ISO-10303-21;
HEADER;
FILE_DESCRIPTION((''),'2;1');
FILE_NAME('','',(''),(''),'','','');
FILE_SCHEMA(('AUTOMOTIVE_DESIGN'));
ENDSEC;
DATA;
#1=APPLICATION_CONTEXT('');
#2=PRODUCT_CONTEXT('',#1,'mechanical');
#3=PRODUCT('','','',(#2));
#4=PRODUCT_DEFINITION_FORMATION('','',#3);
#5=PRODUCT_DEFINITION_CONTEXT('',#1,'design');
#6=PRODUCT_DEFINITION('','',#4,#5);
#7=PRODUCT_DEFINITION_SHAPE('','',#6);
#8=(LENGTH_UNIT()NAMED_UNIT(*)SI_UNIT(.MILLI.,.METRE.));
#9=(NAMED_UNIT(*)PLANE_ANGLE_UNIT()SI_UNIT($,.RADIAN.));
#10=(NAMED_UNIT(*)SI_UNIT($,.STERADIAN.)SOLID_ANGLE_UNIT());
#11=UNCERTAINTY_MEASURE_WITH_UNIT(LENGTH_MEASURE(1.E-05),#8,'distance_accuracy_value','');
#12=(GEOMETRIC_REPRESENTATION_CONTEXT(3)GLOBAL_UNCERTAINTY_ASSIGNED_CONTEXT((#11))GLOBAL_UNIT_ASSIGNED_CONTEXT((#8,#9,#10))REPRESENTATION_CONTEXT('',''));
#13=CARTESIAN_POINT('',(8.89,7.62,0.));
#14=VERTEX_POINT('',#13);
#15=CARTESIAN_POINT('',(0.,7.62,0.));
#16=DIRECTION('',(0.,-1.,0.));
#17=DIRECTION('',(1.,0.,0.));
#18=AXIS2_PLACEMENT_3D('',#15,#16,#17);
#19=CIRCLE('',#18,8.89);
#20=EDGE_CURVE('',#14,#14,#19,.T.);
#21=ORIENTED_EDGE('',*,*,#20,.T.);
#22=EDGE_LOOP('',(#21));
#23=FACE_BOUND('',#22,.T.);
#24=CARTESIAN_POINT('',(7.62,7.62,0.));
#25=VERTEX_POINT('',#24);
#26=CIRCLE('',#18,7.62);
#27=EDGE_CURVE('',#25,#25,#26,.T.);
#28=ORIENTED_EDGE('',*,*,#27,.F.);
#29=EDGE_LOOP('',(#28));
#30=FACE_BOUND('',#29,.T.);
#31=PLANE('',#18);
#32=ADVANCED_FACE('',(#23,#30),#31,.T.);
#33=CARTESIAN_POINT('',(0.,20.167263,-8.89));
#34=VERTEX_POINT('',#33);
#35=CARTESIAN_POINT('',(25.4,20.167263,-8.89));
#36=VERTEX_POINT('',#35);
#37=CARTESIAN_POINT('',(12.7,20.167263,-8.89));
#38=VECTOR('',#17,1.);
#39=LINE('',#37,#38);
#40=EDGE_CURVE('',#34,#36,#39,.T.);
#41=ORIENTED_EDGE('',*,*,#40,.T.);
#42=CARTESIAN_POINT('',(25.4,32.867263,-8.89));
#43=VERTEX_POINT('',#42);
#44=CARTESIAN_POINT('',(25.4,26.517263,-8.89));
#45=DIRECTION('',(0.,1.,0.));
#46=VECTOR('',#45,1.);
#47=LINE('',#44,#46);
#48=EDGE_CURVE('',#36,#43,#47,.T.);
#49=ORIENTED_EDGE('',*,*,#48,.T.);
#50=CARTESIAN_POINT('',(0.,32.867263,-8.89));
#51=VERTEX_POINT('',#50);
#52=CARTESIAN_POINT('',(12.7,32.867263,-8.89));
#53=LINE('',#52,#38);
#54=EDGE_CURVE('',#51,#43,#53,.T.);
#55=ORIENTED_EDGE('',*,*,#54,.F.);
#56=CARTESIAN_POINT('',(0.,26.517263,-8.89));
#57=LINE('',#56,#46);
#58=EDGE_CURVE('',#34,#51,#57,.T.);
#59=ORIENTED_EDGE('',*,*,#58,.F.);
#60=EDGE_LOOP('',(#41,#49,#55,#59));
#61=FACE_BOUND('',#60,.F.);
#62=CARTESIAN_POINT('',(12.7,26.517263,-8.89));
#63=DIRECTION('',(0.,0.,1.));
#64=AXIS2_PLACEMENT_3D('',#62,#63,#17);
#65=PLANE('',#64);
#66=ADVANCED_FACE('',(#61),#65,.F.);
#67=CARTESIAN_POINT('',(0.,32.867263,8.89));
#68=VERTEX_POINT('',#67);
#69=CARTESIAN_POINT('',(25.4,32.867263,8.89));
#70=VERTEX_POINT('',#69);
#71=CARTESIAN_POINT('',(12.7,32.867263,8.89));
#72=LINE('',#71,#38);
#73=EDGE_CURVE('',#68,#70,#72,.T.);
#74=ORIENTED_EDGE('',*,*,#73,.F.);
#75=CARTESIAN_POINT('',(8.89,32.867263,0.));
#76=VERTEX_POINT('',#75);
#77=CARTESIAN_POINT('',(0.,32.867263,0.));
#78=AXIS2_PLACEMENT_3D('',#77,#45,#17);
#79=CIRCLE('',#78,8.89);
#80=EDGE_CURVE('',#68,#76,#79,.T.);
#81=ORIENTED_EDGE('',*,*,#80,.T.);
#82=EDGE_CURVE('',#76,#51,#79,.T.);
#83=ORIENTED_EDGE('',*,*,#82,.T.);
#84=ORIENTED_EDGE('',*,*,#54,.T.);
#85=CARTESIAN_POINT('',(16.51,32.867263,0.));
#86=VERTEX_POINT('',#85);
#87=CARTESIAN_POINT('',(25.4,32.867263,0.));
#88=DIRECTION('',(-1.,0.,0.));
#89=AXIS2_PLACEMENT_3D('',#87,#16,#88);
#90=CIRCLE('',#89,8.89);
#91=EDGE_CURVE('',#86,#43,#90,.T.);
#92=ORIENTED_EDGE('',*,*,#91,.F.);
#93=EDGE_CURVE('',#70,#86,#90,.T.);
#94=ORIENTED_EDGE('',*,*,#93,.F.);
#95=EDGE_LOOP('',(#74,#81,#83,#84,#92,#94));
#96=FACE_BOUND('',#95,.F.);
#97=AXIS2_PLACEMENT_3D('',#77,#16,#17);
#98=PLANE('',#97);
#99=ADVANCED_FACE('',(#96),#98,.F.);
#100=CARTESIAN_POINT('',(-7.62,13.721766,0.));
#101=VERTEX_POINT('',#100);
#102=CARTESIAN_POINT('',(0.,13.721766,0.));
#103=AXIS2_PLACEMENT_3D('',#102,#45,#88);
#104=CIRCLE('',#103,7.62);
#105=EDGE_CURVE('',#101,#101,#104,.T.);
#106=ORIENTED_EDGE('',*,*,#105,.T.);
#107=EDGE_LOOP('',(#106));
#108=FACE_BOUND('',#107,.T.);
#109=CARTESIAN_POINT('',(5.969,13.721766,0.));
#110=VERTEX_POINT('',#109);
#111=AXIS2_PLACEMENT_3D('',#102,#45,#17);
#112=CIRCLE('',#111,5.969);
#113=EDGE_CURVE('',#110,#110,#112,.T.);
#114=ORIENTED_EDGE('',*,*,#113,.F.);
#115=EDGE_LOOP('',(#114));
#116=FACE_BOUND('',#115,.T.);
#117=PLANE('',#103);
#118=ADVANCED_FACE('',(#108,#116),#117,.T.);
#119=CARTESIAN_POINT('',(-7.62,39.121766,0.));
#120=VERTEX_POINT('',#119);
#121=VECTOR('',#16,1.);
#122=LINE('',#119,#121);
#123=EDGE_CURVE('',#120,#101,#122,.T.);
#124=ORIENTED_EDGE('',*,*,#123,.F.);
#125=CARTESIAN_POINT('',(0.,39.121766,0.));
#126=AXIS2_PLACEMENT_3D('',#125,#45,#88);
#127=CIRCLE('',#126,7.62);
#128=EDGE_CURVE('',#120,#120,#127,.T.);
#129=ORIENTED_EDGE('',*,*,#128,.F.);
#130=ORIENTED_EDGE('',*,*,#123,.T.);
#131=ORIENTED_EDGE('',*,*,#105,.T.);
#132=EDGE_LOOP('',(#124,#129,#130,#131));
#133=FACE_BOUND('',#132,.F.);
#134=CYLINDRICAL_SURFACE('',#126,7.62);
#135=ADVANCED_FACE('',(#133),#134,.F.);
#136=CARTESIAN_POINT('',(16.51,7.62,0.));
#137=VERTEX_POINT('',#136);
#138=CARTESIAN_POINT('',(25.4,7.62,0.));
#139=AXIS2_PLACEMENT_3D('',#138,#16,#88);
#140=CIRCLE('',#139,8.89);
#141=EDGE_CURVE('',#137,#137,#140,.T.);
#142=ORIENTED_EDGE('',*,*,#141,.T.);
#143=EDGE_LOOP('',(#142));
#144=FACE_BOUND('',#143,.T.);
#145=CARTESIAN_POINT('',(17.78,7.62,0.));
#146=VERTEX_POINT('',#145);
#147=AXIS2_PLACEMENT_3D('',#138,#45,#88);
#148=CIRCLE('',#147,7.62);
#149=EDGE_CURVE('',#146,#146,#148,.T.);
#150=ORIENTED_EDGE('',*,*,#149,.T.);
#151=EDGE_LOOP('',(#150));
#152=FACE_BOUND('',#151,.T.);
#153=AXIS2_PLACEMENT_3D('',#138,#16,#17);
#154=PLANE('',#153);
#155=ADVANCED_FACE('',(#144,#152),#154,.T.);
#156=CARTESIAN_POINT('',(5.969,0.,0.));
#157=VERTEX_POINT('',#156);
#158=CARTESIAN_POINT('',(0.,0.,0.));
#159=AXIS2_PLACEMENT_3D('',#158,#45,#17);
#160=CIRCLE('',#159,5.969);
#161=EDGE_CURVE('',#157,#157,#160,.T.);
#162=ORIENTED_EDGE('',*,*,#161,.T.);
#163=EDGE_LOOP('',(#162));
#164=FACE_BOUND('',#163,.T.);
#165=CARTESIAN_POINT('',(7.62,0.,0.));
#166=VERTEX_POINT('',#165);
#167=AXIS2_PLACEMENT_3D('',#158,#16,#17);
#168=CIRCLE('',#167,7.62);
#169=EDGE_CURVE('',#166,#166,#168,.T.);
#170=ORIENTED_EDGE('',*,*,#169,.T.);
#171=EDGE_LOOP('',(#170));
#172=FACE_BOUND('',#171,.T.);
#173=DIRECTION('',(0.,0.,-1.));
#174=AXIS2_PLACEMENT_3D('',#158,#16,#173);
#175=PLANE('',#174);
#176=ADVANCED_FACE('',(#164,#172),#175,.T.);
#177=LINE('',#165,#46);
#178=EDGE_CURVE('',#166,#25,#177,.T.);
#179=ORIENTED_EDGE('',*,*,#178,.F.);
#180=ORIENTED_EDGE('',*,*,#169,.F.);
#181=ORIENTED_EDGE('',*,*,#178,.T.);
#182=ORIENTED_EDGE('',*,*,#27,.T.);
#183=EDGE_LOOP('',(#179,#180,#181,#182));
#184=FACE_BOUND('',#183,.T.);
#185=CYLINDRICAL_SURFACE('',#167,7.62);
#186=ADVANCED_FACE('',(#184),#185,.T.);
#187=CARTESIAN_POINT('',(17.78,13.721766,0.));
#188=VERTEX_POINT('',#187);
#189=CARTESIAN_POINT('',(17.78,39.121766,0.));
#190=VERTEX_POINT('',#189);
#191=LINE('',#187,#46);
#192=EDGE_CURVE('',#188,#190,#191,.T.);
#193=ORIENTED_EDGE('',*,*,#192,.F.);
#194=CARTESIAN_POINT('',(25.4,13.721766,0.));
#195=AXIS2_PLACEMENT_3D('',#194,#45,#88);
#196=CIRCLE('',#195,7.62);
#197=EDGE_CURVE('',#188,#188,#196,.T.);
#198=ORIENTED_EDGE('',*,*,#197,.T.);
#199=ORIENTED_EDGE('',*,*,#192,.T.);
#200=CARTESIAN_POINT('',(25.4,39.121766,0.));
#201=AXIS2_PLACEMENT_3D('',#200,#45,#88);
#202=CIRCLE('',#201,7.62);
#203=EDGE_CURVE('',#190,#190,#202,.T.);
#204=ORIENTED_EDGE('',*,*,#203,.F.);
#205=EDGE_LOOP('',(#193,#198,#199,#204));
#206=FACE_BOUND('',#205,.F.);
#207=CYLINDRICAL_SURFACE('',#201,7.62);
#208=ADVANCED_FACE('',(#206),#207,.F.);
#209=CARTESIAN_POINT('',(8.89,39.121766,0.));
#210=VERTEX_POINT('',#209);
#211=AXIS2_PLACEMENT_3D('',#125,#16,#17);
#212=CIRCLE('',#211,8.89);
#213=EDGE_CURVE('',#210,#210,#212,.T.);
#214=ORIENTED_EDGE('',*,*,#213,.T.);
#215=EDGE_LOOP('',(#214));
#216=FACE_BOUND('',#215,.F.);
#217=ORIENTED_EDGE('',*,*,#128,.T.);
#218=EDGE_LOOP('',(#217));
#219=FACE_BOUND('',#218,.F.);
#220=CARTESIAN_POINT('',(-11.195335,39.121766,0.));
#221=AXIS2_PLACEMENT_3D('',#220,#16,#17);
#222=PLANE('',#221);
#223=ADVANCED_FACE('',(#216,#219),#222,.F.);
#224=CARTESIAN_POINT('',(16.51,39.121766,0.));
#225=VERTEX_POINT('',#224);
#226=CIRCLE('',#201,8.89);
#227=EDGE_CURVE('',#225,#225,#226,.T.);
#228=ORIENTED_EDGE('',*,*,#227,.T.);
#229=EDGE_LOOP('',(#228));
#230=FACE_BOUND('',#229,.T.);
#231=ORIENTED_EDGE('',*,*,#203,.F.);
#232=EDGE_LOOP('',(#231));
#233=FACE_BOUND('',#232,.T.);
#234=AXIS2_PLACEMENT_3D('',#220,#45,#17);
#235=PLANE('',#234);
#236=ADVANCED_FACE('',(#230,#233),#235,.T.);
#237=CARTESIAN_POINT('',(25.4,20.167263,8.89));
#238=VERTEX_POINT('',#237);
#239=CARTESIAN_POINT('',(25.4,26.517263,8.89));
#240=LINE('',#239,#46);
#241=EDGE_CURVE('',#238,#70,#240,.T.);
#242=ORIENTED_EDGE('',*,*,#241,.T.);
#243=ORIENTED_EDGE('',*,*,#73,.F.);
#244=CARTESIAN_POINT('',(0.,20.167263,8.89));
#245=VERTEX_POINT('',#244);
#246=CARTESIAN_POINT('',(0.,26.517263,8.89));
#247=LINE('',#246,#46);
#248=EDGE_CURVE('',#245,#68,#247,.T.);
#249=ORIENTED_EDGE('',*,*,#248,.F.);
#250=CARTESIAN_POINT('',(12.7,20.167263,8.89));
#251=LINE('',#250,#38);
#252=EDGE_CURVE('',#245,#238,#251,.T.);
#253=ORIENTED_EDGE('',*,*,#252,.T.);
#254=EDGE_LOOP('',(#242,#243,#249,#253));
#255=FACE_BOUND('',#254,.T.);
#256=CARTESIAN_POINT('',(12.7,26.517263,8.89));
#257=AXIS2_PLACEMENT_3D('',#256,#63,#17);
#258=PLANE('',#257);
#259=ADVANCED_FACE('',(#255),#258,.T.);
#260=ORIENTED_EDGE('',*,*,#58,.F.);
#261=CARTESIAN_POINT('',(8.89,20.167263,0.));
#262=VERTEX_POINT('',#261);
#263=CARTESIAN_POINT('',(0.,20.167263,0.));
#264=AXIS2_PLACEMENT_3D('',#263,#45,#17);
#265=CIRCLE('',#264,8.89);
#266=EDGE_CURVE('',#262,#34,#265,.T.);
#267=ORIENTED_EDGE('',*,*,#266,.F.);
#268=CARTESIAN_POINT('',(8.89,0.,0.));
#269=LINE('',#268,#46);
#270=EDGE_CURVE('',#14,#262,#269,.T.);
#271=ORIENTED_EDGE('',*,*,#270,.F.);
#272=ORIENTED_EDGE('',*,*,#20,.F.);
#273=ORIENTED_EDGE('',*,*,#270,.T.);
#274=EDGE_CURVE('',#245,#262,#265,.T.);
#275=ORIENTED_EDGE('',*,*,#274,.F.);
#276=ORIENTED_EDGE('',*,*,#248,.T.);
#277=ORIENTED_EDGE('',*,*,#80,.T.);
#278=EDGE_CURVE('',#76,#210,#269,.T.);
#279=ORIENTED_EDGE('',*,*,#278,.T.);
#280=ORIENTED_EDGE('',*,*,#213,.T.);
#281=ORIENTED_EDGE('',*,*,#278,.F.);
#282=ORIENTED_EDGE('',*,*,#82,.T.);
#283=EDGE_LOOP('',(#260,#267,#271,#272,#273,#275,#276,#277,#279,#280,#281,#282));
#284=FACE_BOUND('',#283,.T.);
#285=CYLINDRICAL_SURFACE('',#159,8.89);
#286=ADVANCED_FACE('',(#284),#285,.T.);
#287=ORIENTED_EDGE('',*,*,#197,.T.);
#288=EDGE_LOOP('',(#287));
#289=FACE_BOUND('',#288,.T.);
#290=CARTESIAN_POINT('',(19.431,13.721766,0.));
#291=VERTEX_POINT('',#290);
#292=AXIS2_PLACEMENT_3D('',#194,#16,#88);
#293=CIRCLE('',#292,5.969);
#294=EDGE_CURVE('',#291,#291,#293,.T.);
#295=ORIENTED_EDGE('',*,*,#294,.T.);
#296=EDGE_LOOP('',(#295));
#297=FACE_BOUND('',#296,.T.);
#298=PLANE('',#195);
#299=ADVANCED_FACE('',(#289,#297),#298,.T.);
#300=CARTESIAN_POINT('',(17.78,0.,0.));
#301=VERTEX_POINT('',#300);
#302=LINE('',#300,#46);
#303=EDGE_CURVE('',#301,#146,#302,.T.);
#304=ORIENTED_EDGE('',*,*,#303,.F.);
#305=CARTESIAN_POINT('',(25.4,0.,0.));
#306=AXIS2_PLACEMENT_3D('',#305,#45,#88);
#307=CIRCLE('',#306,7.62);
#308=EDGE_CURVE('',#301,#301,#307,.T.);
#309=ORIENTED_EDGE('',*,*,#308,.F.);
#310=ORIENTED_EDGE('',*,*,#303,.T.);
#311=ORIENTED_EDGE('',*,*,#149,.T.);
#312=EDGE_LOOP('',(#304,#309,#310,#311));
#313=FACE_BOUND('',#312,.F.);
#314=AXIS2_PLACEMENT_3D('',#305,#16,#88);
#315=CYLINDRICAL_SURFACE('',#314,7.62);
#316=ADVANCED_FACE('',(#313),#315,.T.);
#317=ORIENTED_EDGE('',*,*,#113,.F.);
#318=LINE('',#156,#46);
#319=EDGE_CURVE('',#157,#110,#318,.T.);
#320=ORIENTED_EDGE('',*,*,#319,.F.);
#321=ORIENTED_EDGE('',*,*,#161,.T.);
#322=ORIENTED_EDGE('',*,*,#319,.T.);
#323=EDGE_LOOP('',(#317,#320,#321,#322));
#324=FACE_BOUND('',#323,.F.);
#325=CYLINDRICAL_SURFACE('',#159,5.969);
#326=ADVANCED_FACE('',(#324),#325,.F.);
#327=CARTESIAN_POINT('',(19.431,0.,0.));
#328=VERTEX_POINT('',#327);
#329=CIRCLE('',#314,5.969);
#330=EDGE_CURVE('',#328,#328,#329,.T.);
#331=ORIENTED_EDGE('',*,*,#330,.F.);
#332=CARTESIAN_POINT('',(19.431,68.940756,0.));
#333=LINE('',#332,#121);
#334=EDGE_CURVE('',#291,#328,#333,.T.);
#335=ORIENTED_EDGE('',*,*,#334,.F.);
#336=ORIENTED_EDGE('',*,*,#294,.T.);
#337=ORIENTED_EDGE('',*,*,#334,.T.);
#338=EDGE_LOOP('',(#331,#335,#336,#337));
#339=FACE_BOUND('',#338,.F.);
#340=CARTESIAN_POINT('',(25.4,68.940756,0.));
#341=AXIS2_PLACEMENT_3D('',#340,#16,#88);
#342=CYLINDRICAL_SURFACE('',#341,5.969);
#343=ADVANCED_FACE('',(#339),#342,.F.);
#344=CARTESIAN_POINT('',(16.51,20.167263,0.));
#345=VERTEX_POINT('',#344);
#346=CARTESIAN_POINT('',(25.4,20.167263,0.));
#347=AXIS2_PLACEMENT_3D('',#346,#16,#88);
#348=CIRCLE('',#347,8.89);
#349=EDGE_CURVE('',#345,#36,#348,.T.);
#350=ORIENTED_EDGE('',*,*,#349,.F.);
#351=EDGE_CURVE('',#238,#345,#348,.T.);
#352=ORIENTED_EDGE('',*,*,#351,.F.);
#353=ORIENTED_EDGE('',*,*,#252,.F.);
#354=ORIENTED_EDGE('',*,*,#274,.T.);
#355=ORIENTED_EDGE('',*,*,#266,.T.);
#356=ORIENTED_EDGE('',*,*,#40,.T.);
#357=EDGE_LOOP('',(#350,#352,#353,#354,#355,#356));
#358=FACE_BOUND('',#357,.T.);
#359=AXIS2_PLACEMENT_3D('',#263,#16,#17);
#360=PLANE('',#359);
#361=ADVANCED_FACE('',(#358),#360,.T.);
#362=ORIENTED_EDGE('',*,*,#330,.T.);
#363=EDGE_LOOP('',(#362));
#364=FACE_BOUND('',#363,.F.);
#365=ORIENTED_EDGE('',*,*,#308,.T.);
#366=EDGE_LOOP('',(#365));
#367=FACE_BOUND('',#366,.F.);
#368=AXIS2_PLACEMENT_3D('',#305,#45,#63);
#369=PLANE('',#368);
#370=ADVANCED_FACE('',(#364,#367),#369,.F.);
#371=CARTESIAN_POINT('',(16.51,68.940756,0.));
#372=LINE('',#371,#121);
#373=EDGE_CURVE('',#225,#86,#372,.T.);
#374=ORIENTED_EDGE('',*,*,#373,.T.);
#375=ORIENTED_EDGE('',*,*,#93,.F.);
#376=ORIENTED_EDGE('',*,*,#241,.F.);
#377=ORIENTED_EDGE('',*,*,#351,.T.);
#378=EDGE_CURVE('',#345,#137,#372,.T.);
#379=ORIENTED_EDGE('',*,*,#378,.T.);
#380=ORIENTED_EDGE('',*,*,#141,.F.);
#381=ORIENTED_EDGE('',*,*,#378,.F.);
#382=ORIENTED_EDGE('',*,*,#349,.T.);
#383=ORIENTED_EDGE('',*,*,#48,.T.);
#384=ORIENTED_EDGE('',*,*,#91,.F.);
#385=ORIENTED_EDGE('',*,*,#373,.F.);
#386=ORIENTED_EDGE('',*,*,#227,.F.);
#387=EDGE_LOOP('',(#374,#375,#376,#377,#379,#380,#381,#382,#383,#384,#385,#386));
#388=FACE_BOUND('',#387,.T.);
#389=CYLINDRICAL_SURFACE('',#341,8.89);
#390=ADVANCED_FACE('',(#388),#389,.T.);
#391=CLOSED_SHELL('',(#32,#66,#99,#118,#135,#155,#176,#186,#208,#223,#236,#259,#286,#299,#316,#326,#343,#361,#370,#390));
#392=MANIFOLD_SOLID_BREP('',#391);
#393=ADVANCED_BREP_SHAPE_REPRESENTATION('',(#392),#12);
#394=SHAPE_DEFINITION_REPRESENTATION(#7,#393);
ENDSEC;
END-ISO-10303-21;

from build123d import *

# Parameters (mm, degrees)
F1_R          = 8.89
F1_R_2        = 5.969
F3_R          = 8.89
F3_R_2        = 7.62
F4_DEPTH      = 7.62
F5_DEPTH      = 25.4
F5_DEPTH_BACK = 25.4
F6_R          = 7.62
F7_R          = 7.62
F8_DEPTH      = 25.4
F0_W          = 25.4
F0_H          = 12.7
F9_DEPTH      = 8.89
F9_DEPTH_BACK = 8.89
F10_DEPTH     = 25.4


with BuildPart() as f2:
    # F2: sweep along a path in F0
    with BuildLine(Plane.XY) as f2_path:
        Line((0, 0), (0, 68.940756))
        ThreePointArc((0, 68.940756), (12.7, 81.640756), (25.4, 68.940756))
        Line((25.4, 68.940756), (25.4, 0))
    # F1 (on Front) → F2 (sweep)
    with BuildSketch(Plane.XZ):
        Circle(F1_R)
        Circle(F1_R_2, mode=Mode.SUBTRACT)
    sweep(path=f2_path.line)

    # F3 (on face) → F4 (cut)
    with BuildSketch(Plane.XZ):
        Circle(F3_R)
        Circle(F3_R_2, mode=Mode.SUBTRACT)
        with BuildLine():
            ThreePointArc((34.29, 0), (25.4, 8.89), (16.51, 0))
            ThreePointArc((16.51, 0), (25.4, -8.89), (34.29, 0))
        make_face()
        with BuildLine():
            ThreePointArc((33.02, 0), (25.4, -7.62), (17.78, 0))
            ThreePointArc((17.78, 0), (25.4, 7.62), (33.02, 0))
        make_face(mode=Mode.SUBTRACT)
    extrude(amount=-F4_DEPTH, mode=Mode.SUBTRACT)

    # F0 (on Top) → F5 (cut, two sides)
    with BuildSketch(Plane.XY) as f5_sk:
        with BuildLine():
            Line((-11.195335, 39.121766), (0, 39.121766))
            Line((0, 39.121766), (0, 68.940756))
            ThreePointArc((0, 68.940756), (3.719744, 77.921012), (12.7, 81.640756))
            ThreePointArc((12.7, 81.640756), (21.680256, 77.921012), (25.4, 68.940756))
            Line((25.4, 68.940756), (25.4, 39.121766))
            Line((25.4, 39.121766), (39.424099, 39.121766))
            Line((39.424099, 39.121766), (39.424099, 94.536379))
            Line((39.424099, 94.536379), (-11.195335, 94.536379))
            Line((-11.195335, 94.536379), (-11.195335, 39.121766))
        make_face()
        with BuildLine():
            Line((0, 68.940756), (0, 39.121766))
            Line((0, 39.121766), (12.7, 39.121766))
            Line((12.7, 39.121766), (12.7, 81.640756))
            ThreePointArc((12.7, 81.640756), (3.719744, 77.921012), (0, 68.940756))
        make_face()
        with BuildLine():
            Line((12.7, 39.121766), (25.4, 39.121766))
            Line((25.4, 39.121766), (25.4, 68.940756))
            ThreePointArc((25.4, 68.940756), (21.680256, 77.921012), (12.7, 81.640756))
            Line((12.7, 81.640756), (12.7, 39.121766))
        make_face()
    extrude(amount=F5_DEPTH, mode=Mode.SUBTRACT)
    extrude(f5_sk.sketch, amount=-F5_DEPTH_BACK, mode=Mode.SUBTRACT)

    # F6 (on face) + F7 (on face) → F8 (cut)
    with BuildSketch(Plane(origin=(0, 39.121766, 0), x_dir=(-1, 0, 0), z_dir=(0, 1, 0))):
        Circle(F6_R)
    with BuildSketch(Plane(origin=(0, 39.121766, 0), x_dir=(-1, 0, 0), z_dir=(0, 1, 0))):
        with Locations((-25.4, 0)):
            Circle(F7_R)
    extrude(amount=-F8_DEPTH, mode=Mode.SUBTRACT)

    # F0 (on Top) → F9 (join, two sides)
    with BuildSketch(Plane.XY) as f9_sk:
        with Locations((12.7, 26.517263)):
            Rectangle(F0_W, F0_H)
    extrude(amount=F9_DEPTH)
    extrude(f9_sk.sketch, amount=-F9_DEPTH_BACK)

    # F7 (on face) + F6 (on face) → F10 (cut)
    with BuildSketch(Plane(origin=(0, 39.121766, 0), x_dir=(-1, 0, 0), z_dir=(0, 1, 0))):
        with Locations((-25.4, 0)):
            Circle(F7_R)
    with BuildSketch(Plane(origin=(0, 39.121766, 0), x_dir=(-1, 0, 0), z_dir=(0, 1, 0))):
        Circle(F6_R)
    extrude(amount=-F10_DEPTH, mode=Mode.SUBTRACT)


solid = f2.part
